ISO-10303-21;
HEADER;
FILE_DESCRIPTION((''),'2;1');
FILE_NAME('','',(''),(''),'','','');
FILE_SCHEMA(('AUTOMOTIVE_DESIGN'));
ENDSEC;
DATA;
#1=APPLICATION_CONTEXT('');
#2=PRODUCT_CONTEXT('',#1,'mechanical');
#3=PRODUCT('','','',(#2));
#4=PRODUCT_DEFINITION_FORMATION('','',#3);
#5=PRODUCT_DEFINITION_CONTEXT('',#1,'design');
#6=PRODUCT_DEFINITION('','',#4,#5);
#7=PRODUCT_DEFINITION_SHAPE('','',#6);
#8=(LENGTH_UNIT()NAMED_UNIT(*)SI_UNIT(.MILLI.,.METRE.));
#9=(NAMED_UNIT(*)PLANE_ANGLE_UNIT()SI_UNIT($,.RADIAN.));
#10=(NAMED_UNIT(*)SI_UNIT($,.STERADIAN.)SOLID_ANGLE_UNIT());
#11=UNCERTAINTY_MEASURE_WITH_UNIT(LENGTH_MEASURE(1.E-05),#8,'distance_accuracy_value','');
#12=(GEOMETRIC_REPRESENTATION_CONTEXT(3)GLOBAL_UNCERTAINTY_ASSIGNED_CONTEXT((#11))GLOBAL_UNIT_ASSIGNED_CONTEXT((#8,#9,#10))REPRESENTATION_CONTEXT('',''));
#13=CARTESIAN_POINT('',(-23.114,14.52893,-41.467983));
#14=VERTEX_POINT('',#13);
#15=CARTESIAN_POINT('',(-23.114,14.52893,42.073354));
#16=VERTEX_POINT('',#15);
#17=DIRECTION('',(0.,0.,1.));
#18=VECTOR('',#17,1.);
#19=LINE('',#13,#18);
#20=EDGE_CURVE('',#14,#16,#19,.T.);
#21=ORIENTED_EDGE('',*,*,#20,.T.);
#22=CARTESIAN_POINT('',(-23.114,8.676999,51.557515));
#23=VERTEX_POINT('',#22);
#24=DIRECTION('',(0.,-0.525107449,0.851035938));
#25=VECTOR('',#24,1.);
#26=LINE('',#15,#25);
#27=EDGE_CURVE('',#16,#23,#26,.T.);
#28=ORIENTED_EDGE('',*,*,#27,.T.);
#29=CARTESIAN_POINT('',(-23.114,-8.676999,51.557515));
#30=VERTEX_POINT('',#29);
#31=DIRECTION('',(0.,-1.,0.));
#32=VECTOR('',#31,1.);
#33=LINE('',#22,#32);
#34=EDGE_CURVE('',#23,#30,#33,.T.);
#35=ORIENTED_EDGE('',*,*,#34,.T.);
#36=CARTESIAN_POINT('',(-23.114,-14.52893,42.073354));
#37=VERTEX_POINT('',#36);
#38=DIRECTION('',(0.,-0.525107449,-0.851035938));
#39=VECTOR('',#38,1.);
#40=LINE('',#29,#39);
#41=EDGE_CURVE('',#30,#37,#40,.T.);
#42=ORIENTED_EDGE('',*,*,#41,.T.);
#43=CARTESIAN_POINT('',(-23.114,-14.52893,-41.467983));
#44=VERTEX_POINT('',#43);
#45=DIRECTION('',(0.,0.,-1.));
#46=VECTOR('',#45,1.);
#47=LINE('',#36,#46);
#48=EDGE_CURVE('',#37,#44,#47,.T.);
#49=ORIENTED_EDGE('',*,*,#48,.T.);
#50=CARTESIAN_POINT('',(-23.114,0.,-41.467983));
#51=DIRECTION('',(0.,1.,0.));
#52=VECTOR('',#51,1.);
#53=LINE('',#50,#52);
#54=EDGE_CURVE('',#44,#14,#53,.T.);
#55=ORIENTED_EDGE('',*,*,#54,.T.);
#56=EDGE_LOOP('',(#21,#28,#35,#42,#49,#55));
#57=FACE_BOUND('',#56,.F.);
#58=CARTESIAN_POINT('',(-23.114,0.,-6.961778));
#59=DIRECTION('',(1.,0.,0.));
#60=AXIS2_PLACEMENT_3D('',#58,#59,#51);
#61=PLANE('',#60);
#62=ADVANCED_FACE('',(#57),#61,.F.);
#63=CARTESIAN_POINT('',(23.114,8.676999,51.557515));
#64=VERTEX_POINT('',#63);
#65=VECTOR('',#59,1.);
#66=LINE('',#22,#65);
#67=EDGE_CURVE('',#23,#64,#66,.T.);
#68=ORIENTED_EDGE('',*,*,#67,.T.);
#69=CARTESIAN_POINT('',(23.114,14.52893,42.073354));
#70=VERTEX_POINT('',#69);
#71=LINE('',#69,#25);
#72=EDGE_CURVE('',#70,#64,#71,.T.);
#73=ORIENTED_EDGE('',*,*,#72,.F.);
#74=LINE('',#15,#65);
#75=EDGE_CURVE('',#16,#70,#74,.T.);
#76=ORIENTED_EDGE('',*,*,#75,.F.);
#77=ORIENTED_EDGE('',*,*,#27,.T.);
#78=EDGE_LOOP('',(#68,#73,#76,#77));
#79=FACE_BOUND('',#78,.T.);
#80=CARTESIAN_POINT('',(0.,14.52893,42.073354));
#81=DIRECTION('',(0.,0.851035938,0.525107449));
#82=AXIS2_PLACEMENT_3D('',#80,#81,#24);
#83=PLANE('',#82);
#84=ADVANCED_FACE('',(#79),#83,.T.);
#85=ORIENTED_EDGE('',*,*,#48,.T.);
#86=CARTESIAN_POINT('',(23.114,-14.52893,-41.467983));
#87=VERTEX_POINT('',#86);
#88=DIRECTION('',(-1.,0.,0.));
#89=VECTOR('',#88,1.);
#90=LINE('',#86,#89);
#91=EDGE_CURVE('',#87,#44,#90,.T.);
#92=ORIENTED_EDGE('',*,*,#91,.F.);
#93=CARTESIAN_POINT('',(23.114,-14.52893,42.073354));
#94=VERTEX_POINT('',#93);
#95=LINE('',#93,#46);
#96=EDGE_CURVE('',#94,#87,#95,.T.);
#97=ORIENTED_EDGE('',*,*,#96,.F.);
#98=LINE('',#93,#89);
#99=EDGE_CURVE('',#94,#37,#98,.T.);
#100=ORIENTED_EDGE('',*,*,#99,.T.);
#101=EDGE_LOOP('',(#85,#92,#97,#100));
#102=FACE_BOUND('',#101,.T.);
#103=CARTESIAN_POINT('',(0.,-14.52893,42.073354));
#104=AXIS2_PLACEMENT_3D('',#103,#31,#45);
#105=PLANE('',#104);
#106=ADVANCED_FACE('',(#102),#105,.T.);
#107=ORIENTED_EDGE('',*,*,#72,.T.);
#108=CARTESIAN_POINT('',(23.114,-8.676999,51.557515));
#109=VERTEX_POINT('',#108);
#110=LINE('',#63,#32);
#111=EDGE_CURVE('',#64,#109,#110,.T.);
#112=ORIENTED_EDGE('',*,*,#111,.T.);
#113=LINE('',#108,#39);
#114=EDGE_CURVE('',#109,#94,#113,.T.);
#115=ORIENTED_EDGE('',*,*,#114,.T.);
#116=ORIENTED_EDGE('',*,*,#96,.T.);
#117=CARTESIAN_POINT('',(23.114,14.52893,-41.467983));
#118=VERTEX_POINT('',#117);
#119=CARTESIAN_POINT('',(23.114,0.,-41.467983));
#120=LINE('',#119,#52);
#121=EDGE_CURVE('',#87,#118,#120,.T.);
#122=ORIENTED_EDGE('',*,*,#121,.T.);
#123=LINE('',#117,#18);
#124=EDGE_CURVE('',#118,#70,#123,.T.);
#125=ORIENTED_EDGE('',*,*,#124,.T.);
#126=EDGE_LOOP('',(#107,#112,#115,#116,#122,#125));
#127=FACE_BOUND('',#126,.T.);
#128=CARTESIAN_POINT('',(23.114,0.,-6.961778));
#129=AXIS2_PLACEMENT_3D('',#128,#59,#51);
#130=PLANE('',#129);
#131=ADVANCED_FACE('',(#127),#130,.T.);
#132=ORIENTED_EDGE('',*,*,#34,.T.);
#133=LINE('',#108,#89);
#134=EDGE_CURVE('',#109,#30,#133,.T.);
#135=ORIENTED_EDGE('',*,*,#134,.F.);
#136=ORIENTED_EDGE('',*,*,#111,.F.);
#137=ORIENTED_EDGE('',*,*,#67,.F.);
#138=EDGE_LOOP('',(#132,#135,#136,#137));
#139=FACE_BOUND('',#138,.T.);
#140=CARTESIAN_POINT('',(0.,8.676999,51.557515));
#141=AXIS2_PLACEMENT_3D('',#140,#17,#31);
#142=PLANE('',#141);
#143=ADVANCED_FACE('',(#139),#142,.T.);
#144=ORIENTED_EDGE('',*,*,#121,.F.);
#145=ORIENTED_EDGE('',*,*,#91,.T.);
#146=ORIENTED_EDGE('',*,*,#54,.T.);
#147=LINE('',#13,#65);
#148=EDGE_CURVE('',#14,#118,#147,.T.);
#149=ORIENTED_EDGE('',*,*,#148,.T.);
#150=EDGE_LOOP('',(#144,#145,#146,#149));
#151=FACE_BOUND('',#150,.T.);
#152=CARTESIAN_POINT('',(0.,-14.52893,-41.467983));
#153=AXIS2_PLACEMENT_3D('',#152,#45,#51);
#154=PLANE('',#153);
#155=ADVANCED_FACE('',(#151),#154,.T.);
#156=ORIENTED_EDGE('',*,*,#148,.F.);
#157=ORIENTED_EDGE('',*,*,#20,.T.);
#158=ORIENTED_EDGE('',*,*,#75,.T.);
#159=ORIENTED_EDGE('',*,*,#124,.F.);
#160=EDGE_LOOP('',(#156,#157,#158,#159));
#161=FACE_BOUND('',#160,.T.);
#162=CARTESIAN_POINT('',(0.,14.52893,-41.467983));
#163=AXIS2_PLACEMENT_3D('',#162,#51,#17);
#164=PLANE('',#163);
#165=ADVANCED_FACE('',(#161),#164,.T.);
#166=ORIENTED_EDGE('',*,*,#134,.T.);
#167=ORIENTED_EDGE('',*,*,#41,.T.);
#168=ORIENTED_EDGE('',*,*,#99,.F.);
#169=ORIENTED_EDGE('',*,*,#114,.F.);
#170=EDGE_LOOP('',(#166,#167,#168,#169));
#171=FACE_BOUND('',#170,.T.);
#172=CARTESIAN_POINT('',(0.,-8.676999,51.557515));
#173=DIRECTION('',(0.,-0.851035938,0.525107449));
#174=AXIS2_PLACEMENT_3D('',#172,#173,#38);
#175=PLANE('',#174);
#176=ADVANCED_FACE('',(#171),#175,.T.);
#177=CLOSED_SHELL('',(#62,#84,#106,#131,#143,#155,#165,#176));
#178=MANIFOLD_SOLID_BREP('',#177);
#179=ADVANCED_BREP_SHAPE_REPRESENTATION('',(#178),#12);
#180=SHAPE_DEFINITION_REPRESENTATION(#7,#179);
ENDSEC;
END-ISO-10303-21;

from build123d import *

# Parameters (mm, degrees)
F0_W     = 29.05786
F0_H     = 69.01241
F1_DEPTH = 23.114


with BuildPart() as f1:
    # F0 (on Right) → F1 (new body, symmetric)
    with BuildSketch(Plane.YZ):
        with Locations((0, -6.961778)):
            Rectangle(F0_W, F0_H)
        Polygon((-14.52893, 27.544427), (14.52893, 27.544427), (14.52893, 42.073354), (8.676999, 51.557515), (0, 51.557515), (-8.676999, 51.557515), (-14.52893, 42.073354), align=None)
    extrude(amount=F1_DEPTH, both=True)


solid = f1.part
